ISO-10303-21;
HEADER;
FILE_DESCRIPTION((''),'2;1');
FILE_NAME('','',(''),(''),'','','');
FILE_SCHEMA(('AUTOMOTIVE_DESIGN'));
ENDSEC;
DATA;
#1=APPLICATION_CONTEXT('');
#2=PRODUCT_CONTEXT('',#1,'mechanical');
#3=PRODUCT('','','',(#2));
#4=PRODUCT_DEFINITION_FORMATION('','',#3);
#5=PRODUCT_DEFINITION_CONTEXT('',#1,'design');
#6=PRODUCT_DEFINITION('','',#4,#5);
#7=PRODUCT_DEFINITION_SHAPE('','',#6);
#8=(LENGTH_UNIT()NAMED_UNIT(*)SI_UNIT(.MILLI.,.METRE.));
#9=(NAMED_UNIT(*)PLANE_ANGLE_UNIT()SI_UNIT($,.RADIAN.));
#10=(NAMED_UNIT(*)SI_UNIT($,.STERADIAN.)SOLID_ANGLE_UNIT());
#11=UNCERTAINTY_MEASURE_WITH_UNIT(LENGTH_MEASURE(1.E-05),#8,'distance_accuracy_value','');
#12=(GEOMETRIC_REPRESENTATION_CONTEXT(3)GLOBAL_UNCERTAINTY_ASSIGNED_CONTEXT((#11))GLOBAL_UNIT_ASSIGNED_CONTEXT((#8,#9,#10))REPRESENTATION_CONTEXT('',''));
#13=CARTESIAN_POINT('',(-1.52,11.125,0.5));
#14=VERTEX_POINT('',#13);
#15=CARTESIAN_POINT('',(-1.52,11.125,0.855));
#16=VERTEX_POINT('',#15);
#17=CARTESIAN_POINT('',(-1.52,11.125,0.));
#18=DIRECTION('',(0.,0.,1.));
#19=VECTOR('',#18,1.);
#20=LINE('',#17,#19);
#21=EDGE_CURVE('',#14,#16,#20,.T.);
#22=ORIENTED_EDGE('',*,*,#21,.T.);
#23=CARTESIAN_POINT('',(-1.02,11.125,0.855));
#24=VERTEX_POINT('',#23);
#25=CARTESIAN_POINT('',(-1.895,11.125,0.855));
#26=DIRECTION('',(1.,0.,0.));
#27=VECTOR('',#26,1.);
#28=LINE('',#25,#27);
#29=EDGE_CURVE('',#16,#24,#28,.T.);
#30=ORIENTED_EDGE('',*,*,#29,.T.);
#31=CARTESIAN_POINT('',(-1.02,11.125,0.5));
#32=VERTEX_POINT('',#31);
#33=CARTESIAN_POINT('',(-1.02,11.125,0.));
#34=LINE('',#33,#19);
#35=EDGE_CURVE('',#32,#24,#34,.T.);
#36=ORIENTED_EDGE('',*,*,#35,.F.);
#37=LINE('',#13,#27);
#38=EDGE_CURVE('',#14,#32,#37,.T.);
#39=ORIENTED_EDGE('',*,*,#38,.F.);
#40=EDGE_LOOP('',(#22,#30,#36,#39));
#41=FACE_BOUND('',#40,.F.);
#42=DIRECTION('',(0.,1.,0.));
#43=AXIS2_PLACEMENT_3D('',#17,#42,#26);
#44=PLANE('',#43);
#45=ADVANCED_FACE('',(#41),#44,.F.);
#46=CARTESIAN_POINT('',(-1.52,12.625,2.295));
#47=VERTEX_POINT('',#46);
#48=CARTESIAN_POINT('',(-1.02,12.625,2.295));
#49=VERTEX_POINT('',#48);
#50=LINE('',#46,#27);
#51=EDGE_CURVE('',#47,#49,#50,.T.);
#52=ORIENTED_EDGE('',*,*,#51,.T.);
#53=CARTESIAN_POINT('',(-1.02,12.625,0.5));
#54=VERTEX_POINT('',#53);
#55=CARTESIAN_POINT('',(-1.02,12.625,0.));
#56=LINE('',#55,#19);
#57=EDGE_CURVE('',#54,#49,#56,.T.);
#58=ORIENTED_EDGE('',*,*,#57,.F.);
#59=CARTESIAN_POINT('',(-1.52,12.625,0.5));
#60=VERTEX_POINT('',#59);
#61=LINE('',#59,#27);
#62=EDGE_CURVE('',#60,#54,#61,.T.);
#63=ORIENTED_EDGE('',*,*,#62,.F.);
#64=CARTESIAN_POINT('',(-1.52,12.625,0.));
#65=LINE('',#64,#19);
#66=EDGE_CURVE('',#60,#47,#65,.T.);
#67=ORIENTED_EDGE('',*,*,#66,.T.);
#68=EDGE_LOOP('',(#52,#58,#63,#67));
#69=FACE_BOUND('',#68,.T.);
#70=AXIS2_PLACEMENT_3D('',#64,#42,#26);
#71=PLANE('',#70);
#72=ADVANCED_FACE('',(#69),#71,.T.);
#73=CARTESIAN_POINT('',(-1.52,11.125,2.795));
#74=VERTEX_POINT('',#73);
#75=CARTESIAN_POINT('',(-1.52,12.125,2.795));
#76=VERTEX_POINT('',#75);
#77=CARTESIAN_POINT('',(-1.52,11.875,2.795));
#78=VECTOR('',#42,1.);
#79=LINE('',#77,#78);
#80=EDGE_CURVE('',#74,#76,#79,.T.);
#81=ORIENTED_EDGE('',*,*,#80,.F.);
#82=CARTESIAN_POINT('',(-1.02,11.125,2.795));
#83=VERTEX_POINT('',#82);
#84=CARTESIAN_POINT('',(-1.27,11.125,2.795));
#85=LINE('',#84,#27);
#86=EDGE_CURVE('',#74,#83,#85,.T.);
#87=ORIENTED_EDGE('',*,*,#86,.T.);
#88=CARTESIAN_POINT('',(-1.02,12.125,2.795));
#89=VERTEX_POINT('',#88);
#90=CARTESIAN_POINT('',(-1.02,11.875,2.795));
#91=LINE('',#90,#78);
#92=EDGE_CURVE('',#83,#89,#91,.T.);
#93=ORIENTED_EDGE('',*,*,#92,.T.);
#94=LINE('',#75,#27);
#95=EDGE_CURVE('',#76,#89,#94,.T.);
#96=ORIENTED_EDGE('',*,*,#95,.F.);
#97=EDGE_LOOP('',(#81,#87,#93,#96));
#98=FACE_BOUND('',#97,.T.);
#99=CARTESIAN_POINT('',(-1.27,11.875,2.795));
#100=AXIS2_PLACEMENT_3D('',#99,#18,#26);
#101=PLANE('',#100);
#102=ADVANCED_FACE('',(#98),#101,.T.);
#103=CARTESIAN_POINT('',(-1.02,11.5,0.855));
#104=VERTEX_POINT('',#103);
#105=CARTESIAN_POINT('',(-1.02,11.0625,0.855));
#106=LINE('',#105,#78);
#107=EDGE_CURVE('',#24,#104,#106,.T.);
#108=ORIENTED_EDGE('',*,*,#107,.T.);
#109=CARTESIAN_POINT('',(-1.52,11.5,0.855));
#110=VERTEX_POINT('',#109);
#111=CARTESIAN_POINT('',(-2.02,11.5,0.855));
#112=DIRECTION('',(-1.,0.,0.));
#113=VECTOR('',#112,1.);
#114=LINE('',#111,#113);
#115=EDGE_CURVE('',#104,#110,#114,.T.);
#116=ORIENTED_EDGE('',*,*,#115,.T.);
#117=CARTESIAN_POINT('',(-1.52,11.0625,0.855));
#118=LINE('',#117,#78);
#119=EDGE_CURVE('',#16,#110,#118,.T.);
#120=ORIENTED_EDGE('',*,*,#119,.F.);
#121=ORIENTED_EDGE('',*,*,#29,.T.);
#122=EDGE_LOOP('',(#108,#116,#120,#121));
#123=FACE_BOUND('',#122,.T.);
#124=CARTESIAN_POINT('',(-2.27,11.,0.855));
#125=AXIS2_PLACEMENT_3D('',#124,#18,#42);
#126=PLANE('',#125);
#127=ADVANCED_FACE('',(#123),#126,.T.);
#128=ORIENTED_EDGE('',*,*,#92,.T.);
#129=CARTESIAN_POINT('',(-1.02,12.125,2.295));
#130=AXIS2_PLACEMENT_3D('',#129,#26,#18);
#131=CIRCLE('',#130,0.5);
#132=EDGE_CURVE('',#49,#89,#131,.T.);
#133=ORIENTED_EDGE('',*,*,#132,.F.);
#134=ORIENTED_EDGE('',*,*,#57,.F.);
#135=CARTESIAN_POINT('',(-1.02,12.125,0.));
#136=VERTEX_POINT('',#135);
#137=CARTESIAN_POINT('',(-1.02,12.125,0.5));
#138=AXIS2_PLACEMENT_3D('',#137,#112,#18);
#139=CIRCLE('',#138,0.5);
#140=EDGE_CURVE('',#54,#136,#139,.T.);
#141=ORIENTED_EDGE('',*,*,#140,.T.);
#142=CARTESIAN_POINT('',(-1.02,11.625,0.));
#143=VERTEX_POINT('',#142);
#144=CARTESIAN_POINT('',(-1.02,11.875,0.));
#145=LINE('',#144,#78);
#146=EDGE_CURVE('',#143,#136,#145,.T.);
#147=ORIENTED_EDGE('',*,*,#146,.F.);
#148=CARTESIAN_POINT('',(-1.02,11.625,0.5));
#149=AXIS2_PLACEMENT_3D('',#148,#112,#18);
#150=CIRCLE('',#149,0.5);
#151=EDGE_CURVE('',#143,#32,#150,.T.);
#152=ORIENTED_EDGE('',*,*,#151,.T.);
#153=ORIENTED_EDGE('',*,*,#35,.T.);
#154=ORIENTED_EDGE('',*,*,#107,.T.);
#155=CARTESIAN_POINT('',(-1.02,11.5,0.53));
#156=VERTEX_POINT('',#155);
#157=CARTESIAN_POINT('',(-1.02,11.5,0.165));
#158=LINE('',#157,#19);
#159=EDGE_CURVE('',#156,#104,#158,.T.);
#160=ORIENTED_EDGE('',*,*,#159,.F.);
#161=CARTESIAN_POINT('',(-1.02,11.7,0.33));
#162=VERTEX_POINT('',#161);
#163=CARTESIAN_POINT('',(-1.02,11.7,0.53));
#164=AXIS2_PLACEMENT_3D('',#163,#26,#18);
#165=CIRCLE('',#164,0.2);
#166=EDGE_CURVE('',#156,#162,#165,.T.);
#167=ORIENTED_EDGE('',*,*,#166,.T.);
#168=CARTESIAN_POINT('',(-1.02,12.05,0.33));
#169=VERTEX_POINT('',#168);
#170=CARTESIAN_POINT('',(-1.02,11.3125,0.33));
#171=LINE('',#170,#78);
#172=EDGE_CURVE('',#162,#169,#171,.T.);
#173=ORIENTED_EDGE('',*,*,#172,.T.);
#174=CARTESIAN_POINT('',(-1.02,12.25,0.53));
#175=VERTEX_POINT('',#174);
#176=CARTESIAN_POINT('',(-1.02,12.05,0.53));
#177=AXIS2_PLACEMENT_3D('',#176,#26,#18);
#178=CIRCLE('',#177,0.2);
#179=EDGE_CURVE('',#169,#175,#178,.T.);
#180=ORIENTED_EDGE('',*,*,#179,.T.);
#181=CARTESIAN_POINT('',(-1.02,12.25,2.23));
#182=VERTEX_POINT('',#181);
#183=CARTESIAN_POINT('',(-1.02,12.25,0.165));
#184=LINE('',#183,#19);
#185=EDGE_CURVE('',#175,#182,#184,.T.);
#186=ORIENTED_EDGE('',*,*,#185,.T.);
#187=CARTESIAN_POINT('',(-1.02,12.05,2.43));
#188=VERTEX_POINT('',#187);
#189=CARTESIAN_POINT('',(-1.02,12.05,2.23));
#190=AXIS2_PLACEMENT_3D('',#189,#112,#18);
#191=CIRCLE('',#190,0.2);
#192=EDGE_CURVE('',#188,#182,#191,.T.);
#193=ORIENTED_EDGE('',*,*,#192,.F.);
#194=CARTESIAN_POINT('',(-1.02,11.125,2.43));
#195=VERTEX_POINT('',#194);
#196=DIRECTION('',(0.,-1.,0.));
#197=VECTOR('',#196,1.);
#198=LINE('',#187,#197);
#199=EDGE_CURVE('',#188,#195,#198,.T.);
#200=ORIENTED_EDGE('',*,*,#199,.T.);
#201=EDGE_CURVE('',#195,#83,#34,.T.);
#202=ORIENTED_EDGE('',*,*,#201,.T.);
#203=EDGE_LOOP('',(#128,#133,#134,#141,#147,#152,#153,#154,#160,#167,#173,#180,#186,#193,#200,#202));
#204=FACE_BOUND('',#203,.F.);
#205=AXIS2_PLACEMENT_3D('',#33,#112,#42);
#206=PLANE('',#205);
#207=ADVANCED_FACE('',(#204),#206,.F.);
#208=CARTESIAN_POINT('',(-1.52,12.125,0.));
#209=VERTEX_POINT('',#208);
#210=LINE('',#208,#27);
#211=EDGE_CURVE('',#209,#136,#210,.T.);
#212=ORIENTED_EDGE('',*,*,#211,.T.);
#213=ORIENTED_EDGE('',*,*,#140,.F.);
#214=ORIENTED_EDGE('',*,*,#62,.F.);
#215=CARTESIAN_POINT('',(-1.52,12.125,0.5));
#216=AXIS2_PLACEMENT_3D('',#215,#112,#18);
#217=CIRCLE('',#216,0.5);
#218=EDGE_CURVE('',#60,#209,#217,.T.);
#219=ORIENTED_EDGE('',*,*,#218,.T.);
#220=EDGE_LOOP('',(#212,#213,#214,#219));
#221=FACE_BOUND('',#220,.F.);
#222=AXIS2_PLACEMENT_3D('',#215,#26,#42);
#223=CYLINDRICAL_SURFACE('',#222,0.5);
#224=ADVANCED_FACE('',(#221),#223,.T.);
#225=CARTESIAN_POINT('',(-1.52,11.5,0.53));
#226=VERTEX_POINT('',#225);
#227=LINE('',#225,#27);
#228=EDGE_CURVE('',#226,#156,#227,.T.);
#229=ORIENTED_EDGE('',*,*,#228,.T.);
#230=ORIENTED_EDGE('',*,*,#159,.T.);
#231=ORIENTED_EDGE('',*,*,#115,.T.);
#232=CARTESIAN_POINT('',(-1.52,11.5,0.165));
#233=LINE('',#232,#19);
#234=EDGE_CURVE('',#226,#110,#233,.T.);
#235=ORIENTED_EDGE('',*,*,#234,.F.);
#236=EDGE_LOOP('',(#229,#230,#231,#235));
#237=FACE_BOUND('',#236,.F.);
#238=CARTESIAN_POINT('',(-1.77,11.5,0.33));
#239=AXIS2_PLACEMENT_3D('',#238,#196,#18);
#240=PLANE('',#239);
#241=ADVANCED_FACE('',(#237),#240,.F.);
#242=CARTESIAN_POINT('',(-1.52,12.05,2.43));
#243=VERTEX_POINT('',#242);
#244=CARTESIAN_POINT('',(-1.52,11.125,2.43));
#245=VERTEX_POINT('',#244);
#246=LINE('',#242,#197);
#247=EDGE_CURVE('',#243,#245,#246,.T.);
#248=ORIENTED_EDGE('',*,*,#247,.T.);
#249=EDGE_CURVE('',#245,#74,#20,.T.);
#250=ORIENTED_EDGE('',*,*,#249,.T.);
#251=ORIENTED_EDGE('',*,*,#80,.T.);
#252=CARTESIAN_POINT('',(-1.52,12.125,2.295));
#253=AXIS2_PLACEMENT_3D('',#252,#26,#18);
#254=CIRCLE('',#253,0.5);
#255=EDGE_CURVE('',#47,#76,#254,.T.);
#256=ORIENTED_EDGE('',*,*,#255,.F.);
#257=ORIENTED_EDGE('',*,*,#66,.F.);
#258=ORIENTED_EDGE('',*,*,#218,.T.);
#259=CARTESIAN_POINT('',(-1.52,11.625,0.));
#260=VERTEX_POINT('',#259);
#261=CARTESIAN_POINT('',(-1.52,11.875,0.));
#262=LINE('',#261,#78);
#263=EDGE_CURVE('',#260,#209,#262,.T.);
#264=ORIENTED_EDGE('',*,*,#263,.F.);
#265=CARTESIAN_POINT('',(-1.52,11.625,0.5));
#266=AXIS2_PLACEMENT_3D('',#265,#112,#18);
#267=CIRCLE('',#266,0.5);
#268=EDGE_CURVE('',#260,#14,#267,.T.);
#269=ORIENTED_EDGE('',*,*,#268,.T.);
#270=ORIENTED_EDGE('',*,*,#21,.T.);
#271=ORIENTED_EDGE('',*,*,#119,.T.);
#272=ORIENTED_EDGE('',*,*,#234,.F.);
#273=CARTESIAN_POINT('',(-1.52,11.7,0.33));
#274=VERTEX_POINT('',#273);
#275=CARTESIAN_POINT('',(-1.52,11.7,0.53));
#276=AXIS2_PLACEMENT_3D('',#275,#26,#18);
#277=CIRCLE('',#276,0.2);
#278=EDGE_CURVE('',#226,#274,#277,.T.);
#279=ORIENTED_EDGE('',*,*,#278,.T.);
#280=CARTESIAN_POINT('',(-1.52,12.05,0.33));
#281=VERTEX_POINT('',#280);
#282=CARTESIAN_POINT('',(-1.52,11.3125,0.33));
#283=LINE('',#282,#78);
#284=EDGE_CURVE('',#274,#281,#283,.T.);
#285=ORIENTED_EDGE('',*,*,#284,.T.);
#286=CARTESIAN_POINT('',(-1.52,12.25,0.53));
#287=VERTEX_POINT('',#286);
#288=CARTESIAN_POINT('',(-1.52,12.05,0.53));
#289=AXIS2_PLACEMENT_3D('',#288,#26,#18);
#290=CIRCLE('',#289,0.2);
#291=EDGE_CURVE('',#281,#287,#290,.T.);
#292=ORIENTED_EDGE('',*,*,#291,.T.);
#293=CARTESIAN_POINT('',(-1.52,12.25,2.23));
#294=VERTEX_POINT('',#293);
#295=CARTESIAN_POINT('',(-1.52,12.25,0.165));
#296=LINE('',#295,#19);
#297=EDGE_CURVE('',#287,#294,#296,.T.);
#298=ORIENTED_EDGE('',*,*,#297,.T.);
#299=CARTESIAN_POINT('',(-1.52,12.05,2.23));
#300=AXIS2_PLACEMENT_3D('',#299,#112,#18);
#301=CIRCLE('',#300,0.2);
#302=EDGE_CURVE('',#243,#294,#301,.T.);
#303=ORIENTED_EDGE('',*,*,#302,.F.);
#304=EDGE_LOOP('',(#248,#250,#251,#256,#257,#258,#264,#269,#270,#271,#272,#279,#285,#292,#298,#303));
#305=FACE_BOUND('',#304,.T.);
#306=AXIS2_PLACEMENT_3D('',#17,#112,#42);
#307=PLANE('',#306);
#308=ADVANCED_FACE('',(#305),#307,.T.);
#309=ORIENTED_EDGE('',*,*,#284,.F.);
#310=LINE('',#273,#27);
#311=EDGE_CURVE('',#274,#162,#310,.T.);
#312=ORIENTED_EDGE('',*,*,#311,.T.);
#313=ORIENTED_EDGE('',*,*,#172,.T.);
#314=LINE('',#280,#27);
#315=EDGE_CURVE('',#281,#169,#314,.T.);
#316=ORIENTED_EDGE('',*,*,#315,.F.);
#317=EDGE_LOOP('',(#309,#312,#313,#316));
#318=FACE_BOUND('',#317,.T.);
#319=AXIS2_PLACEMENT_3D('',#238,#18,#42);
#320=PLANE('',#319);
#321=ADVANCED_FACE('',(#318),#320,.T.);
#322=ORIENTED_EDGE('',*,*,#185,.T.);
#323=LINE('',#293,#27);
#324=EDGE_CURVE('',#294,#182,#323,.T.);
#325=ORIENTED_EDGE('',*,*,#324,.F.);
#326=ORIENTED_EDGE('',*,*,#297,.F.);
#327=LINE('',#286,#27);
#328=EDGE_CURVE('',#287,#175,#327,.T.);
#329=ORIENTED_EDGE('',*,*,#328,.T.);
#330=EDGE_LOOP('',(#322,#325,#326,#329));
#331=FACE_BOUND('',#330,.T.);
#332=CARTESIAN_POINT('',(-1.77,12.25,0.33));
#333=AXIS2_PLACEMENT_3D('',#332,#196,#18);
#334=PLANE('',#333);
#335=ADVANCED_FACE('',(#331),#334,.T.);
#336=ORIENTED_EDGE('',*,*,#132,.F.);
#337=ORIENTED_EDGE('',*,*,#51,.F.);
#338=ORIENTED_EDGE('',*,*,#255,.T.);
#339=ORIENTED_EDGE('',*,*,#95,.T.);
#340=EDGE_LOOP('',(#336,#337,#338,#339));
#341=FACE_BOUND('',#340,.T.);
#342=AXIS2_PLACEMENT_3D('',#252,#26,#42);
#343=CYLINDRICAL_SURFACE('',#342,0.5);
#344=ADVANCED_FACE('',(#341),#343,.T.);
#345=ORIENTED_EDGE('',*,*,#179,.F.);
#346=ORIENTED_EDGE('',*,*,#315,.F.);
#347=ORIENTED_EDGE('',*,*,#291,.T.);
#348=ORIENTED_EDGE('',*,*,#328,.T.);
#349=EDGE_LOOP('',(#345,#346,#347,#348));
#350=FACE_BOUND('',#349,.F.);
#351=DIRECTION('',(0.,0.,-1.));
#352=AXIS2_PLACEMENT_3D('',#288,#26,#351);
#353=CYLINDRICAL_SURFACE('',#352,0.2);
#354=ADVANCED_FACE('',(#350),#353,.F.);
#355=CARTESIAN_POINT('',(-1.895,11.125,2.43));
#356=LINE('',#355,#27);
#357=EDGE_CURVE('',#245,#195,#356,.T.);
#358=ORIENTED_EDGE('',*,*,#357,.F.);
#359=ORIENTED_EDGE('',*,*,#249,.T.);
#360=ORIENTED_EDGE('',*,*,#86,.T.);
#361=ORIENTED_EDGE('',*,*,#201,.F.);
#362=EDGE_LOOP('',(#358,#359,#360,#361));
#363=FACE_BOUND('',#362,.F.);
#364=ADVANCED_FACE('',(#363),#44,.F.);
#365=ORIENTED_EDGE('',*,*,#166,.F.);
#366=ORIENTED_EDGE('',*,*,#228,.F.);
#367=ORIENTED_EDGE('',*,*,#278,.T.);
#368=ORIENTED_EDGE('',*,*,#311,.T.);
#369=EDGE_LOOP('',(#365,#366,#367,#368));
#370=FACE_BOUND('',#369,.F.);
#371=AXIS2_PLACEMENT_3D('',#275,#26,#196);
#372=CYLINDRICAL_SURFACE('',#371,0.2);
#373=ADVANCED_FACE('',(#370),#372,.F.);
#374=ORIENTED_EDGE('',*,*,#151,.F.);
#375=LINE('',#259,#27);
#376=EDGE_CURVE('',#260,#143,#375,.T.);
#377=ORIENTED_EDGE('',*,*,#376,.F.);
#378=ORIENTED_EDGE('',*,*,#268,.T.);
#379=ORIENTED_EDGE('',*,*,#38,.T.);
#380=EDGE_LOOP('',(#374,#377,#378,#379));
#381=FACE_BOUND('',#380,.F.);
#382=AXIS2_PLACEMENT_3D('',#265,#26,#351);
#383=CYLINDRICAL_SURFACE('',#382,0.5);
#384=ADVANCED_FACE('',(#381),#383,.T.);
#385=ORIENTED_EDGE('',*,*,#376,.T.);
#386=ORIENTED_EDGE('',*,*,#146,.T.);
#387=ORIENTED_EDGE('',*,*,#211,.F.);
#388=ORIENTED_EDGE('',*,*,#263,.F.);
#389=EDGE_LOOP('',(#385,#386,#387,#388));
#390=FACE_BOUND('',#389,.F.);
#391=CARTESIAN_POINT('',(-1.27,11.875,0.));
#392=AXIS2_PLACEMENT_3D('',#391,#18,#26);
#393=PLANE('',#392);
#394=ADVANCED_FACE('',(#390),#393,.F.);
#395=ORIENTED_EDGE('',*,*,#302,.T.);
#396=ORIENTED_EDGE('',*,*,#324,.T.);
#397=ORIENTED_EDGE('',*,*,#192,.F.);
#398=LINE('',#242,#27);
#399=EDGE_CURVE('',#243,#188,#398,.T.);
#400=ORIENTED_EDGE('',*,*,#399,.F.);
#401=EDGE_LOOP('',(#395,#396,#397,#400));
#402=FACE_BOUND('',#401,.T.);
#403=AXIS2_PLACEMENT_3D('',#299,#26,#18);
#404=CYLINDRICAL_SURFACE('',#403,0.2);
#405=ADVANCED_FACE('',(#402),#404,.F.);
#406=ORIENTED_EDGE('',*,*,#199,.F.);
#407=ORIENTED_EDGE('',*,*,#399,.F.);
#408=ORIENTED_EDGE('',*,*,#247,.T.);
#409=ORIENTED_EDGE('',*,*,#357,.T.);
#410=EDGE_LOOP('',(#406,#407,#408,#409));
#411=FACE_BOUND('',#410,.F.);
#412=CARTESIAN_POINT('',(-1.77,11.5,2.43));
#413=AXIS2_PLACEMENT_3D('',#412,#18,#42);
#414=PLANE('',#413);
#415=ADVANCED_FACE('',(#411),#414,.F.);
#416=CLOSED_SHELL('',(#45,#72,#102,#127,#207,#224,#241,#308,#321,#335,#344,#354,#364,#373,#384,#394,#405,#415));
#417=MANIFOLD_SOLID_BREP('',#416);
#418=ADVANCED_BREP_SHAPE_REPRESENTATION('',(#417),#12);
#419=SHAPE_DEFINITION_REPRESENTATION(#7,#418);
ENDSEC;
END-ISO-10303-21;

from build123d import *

# Parameters (mm, degrees)
BOX115_W     = 0.5
BOX115_H     = 1.5
BOX115_DEPTH = 2.795
FILLET246_R  = 0.5
FILLET263_R  = 0.5
FILLET256_R  = 0.5
BOX125_W     = 0.75
BOX125_H     = 2.1
BOX125_DEPTH = 1
FILLET247_R  = 0.2
FILLET266_R  = 0.2
FILLET253_R  = 0.2
FILLET245_R  = 0.2
BOX120_W     = 1
BOX120_H     = 1.575
BOX120_DEPTH = 3


with BuildPart() as part:
    # Box115 → Box115 (join)
    with BuildSketch(Plane(origin=(-0.25, 11.125, 0), x_dir=(1, 0, 0), z_dir=(0, 0, 1))):
        with Locations((0.25, 0.75)):
            Rectangle(BOX115_W, BOX115_H)
    extrude(amount=BOX115_DEPTH)

    # Fillet246
    fillet246_edges = [part.edges().sort_by_distance(p)[0] for p in [
        (0, 12.625, 0),
    ]]
    fillet(fillet246_edges, radius=FILLET246_R)

    # Fillet263
    fillet263_edges = [part.edges().sort_by_distance(p)[0] for p in [
        (0, 12.625, 2.795),
    ]]
    fillet(fillet263_edges, radius=FILLET263_R)

    # Fillet256
    fillet256_edges = [part.edges().sort_by_distance(p)[0] for p in [
        (0, 11.125, 0),
    ]]
    fillet(fillet256_edges, radius=FILLET256_R)

    # Box125 → Box125 (cut)
    with BuildSketch(Plane(origin=(-0.5, 11.5, 0.33), x_dir=(0, 1, 0), z_dir=(1, 0, 0))):
        with Locations((0.375, 1.05)):
            Rectangle(BOX125_W, BOX125_H)
    extrude(amount=BOX125_DEPTH, mode=Mode.SUBTRACT)

    # Fillet247
    fillet247_edges = [part.edges().sort_by_distance(p)[0] for p in [
        (0, 11.5, 0.33),
    ]]
    fillet(fillet247_edges, radius=FILLET247_R)

    # Fillet266
    fillet266_edges = [part.edges().sort_by_distance(p)[0] for p in [
        (0, 12.25, 0.33),
    ]]
    fillet(fillet266_edges, radius=FILLET266_R)

    # Fillet253
    fillet253_edges = [part.edges().sort_by_distance(p)[0] for p in [
        (0, 11.5, 2.43),
    ]]
    fillet(fillet253_edges, radius=FILLET253_R)

    # Fillet245
    fillet245_edges = [part.edges().sort_by_distance(p)[0] for p in [
        (0, 12.25, 2.43),
    ]]
    fillet(fillet245_edges, radius=FILLET245_R)

    # Box120 → Box120 (cut)
    with BuildSketch(Plane(origin=(-1, 11, 0.855), x_dir=(0, 1, 0), z_dir=(1, 0, 0))):
        with Locations((0.5, 0.7875)):
            Rectangle(BOX120_W, BOX120_H)
    extrude(amount=BOX120_DEPTH, mode=Mode.SUBTRACT)


with BuildPart() as part_1:
    # Body036 placement: moved
    add(part.part.moved(Location((-1.27, 0, 0))))


solid = part_1.part
